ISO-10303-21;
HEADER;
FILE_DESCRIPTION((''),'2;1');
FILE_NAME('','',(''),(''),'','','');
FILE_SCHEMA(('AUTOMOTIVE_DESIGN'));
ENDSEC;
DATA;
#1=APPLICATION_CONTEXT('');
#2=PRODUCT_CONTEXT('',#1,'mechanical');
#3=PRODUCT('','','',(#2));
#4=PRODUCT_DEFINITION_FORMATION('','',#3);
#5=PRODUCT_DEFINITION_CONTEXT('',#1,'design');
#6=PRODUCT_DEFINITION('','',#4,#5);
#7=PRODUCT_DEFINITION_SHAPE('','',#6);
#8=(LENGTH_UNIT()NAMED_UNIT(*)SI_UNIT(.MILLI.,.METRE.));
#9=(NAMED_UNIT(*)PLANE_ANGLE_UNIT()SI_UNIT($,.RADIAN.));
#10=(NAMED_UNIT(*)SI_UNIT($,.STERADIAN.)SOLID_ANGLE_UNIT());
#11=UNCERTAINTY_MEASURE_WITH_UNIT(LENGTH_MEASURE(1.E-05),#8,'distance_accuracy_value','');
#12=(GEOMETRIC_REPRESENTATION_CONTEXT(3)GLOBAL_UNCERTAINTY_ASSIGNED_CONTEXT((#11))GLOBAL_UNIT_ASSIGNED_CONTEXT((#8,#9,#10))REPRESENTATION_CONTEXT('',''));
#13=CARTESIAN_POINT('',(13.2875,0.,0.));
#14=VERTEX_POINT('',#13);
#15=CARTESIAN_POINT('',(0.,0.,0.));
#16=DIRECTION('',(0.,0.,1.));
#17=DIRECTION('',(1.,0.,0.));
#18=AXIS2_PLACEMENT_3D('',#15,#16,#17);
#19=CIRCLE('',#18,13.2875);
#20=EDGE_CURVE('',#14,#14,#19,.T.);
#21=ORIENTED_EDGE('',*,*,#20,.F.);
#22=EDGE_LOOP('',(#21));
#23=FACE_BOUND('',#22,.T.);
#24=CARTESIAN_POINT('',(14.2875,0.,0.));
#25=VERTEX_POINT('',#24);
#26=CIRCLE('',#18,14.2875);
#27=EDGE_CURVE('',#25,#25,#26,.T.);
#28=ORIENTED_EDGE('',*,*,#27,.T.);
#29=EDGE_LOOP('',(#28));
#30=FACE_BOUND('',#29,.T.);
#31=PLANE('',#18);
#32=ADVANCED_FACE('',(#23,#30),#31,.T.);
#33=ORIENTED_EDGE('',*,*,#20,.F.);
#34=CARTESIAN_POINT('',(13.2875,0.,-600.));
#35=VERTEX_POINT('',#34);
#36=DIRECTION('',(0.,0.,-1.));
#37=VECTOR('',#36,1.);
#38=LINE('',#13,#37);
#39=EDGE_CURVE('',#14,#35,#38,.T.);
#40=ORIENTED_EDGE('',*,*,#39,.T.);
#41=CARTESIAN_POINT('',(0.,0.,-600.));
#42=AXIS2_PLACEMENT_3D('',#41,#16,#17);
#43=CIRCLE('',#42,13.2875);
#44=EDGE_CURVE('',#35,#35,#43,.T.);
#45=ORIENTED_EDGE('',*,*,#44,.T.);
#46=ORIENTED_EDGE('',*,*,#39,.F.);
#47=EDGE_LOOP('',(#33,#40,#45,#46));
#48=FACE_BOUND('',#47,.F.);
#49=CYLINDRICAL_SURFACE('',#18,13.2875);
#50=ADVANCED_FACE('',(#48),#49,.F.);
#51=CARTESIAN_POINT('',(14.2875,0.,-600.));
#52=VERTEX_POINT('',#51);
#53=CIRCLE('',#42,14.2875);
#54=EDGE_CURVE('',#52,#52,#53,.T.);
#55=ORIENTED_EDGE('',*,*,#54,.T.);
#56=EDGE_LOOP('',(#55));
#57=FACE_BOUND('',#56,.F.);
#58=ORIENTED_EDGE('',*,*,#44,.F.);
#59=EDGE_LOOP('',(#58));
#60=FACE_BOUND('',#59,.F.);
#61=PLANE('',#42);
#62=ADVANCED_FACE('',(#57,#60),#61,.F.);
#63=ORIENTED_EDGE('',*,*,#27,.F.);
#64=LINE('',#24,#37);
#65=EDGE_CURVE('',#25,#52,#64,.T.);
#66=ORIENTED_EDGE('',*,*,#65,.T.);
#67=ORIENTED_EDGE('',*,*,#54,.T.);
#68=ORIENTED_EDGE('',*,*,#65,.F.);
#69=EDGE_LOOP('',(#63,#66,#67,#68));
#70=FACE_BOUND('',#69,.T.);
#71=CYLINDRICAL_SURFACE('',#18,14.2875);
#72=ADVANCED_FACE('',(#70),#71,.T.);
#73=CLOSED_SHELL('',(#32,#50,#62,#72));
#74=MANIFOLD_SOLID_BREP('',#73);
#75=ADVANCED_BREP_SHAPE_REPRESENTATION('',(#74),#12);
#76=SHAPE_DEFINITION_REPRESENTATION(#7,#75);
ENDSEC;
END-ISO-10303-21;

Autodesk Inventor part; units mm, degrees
ref_plane "YZ Plane" through (0, 0, 0) normal (1, 0, 0) x (0, 1, 0)
ref_plane "XZ Plane" through (0, 0, 0) normal (0, 1, 0) x (-1, 0, 0)
ref_plane "XY Plane" through (0, 0, 0) normal (0, 0, 1) x (1, 0, 0)
sketch "Sketch1" plane through (0, 0, 0) normal (0, 0, 1) x (1, 0, 0)
  circle A0 centre (0, 0) radius 14.2875
  circle A1 centre (0, 0) radius 13.2875
  dimension "d0" = 28.575
  dimension "d3" = 1
extrude "Extrusion1" add sketch "Sketch1" against normal blind 600
properties part number "Barra_1_1-8_600" material "Steel, Mild"
